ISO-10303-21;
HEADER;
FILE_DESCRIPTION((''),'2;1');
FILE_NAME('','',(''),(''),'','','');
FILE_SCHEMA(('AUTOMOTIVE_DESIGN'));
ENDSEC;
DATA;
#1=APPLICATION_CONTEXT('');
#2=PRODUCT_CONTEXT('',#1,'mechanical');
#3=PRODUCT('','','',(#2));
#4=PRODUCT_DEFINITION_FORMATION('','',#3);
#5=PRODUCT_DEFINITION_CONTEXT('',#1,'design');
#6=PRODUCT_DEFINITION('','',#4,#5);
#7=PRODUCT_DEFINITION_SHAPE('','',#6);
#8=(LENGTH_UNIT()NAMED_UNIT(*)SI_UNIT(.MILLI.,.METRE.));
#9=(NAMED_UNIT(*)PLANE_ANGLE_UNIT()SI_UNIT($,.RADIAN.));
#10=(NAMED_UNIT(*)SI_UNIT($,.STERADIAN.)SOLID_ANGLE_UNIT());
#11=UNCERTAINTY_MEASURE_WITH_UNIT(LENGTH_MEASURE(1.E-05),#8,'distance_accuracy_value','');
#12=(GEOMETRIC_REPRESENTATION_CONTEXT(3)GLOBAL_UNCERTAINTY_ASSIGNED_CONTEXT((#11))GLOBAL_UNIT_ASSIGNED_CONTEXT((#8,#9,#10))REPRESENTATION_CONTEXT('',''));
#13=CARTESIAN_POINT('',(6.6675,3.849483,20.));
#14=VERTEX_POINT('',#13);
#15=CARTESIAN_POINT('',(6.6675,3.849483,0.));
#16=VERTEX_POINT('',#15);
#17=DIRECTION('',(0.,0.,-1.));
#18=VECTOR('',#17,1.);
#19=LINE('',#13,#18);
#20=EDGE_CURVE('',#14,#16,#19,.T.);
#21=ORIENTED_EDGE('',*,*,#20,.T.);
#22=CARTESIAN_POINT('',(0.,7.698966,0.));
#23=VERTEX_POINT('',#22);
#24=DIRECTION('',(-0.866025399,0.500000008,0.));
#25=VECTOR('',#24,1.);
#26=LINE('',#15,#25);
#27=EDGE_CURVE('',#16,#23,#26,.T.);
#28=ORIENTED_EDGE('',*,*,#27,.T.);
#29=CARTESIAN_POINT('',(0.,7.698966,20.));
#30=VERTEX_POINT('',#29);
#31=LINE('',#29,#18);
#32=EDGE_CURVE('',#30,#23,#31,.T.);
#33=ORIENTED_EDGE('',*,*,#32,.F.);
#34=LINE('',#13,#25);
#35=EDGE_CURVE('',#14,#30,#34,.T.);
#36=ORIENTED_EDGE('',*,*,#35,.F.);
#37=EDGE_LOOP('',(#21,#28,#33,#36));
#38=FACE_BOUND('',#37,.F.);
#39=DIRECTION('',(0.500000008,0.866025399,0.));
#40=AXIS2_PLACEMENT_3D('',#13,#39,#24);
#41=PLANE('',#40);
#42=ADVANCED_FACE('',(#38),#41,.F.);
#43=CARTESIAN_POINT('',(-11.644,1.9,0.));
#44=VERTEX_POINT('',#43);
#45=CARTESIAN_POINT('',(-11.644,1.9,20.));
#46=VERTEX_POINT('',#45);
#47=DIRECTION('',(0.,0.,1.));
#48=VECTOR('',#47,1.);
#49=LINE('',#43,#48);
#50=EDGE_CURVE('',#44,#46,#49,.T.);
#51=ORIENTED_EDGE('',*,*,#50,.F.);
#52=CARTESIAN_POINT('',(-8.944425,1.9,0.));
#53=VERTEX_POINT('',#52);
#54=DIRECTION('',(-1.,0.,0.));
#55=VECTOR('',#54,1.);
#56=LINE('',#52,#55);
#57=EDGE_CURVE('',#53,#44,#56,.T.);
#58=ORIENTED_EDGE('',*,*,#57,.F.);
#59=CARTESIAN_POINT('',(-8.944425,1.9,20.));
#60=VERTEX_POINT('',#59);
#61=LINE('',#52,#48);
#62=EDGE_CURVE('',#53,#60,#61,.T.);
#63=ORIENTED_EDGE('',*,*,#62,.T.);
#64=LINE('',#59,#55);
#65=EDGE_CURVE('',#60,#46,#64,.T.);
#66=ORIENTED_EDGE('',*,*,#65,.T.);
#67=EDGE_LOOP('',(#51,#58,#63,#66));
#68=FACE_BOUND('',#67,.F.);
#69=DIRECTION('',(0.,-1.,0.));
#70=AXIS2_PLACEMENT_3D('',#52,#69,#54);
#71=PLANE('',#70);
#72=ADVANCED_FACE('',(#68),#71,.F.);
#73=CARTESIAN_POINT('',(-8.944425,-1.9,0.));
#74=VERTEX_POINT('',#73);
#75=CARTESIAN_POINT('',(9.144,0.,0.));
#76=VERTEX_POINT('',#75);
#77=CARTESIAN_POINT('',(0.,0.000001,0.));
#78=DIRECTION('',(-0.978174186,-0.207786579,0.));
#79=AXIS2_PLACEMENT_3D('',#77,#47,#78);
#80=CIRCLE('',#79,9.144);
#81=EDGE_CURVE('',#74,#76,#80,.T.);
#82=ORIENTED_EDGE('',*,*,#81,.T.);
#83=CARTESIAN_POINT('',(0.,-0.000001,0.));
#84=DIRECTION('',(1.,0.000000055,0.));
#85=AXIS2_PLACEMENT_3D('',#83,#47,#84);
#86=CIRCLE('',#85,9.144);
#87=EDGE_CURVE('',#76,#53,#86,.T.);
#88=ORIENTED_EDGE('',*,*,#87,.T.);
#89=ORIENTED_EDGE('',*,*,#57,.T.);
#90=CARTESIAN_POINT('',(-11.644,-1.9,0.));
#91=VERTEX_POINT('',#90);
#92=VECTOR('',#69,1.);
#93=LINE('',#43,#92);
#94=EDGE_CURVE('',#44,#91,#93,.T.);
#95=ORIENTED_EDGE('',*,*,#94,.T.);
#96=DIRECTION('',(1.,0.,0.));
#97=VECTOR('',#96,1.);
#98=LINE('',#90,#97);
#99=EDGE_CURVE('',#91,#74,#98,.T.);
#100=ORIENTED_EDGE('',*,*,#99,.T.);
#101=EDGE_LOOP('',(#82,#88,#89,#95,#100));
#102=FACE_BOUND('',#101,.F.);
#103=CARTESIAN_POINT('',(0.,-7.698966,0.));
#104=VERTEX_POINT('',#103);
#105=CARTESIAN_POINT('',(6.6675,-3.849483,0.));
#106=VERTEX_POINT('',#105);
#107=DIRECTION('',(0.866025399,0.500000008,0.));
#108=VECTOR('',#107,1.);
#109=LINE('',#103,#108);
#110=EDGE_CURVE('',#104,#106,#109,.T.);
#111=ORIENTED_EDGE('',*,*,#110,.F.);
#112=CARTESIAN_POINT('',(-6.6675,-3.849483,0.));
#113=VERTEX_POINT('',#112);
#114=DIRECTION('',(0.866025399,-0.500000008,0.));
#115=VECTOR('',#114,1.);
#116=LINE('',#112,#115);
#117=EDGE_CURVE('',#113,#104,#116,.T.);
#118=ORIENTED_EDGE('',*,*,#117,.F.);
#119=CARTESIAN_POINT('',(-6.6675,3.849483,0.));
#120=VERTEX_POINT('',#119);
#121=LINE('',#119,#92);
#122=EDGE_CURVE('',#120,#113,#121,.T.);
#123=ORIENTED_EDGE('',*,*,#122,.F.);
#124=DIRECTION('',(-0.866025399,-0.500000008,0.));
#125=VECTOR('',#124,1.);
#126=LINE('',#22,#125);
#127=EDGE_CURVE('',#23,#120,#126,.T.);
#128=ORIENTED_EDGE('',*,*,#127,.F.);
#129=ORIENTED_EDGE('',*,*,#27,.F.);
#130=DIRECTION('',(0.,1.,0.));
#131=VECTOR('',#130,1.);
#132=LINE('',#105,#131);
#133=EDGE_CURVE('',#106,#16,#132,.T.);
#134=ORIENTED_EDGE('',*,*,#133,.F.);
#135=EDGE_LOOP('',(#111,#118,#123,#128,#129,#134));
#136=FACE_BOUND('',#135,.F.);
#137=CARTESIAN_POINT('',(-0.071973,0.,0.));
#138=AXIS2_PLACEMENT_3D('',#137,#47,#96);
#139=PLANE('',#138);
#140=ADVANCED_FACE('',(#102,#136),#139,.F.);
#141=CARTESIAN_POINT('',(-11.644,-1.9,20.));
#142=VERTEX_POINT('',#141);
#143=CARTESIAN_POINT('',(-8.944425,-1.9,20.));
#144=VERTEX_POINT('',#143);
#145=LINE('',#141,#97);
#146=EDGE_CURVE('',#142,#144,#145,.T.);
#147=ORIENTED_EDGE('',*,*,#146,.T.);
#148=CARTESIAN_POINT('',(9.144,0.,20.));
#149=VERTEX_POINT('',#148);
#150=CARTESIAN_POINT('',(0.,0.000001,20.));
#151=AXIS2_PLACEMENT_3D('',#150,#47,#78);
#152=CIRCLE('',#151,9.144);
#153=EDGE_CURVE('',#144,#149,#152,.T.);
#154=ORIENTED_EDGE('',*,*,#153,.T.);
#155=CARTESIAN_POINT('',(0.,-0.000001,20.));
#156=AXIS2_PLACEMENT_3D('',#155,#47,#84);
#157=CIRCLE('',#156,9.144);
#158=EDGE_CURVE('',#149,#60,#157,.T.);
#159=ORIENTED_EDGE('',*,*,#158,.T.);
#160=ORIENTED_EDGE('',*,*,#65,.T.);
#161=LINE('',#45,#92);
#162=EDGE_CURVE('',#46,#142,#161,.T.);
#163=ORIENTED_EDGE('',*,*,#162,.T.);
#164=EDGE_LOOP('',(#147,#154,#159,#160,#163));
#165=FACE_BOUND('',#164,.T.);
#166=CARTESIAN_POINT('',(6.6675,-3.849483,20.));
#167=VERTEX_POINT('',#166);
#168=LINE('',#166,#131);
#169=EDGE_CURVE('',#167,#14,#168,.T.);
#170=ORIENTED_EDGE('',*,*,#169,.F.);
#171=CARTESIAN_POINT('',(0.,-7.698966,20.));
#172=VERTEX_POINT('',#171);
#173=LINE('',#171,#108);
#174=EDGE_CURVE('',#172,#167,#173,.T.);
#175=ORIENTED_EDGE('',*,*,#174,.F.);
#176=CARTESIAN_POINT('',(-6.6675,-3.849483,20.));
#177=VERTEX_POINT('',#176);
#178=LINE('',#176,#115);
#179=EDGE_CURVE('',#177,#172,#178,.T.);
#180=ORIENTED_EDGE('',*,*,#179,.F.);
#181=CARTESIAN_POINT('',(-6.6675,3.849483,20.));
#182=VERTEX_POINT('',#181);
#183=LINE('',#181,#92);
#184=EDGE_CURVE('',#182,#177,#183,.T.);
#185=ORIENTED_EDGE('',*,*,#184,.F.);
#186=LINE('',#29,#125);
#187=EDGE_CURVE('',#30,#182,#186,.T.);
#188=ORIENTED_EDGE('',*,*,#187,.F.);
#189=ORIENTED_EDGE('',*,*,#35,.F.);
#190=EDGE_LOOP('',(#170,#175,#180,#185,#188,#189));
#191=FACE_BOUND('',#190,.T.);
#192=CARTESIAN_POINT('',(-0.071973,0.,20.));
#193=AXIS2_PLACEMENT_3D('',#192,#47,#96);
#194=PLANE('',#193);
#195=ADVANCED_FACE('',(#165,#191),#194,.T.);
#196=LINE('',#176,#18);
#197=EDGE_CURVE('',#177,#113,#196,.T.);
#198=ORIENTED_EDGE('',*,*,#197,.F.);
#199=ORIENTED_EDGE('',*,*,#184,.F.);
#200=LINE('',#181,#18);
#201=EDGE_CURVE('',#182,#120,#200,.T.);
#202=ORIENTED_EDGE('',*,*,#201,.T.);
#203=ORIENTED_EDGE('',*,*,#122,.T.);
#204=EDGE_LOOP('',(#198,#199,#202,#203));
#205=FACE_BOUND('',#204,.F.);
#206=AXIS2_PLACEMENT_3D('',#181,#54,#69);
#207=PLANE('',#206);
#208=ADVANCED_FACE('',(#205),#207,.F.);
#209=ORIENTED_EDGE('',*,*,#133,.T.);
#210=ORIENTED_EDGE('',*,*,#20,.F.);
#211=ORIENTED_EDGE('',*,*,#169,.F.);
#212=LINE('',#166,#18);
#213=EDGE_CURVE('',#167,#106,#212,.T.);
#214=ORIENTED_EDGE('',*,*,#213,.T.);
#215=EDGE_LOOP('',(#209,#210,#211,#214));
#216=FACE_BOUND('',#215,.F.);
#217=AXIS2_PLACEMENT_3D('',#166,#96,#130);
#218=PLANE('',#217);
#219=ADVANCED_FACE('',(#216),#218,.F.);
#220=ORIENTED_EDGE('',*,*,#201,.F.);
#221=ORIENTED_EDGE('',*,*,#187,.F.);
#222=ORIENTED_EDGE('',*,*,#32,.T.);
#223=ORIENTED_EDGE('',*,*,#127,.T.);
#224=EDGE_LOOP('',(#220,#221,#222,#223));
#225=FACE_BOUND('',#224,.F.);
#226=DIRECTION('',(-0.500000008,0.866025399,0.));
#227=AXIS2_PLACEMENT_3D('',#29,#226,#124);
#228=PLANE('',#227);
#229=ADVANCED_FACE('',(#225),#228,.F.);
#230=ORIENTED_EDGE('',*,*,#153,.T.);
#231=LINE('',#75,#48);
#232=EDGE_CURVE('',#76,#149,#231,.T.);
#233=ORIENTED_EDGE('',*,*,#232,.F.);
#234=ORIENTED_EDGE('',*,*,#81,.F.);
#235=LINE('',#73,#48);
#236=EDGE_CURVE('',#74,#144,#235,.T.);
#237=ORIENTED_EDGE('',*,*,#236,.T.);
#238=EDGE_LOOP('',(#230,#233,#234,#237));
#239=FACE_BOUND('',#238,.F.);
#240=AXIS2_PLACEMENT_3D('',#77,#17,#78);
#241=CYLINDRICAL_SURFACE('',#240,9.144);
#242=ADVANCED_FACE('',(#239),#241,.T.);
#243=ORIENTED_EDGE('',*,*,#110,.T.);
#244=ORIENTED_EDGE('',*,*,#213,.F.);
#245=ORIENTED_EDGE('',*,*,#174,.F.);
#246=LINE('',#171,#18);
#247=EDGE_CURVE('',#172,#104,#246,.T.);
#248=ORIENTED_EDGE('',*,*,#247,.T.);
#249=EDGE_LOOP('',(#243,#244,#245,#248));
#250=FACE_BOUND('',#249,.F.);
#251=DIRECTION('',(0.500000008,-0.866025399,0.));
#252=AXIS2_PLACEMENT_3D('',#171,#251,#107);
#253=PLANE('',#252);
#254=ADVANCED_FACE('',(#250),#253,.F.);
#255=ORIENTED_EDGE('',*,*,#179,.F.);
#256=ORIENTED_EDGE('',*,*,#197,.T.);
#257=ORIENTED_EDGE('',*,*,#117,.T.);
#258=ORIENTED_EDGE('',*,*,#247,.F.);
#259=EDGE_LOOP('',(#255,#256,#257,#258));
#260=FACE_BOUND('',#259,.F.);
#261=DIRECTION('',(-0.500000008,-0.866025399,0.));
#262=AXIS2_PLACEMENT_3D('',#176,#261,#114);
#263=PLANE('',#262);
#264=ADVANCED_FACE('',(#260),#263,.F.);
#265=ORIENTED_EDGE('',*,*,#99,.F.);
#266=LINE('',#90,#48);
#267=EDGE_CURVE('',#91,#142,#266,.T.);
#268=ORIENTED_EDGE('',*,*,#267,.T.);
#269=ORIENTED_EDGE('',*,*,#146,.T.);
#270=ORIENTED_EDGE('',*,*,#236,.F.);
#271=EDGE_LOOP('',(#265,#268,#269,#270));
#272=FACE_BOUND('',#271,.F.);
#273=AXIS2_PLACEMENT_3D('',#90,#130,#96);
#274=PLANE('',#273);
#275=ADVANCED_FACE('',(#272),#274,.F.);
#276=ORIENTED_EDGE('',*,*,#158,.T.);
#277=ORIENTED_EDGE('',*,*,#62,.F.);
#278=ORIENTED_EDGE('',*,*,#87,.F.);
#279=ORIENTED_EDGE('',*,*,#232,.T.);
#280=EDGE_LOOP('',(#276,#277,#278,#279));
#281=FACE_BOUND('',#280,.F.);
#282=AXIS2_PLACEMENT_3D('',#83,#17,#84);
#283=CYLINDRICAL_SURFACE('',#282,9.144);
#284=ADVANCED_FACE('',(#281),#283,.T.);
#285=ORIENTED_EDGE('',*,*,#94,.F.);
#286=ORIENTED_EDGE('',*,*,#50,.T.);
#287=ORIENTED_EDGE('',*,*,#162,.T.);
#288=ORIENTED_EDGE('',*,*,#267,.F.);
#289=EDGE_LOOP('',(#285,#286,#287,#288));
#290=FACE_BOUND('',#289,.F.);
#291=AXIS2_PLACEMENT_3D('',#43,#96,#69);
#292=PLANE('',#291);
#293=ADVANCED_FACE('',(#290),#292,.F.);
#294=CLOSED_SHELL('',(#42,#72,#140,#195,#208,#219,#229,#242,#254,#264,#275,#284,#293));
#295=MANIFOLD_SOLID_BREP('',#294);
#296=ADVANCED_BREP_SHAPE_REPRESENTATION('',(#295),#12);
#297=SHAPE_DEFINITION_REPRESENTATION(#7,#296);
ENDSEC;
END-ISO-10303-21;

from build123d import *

# Parameters (mm, degrees)
F1_DEPTH = 20
F3_DEPTH = 20


with BuildPart() as f1:
    # F0 (on Top) → F1 (new body)
    with BuildSketch(Plane.XY):
        with BuildLine():
            ThreePointArc((-8.944425, -1.9), (0.955226, -9.093969), (9.144, 0))
            ThreePointArc((9.144, 0), (0.955226, 9.093969), (-8.944425, 1.9))
            ThreePointArc((-8.944425, 1.9), (-9.144, 0), (-8.944425, -1.9))
        make_face()
        with BuildLine():
            ThreePointArc((-8.944425, -1.9), (-9.144, 0), (-8.944425, 1.9))
            Line((-8.944425, 1.9), (-11.644, 1.9))
            Line((-11.644, 1.9), (-11.644, -1.9))
            Line((-11.644, -1.9), (-8.944425, -1.9))
        make_face()
    extrude(amount=F1_DEPTH)

    # F2 (on face) → F3 (cut, through all)
    with BuildSketch(Plane.XY.offset(20)):
        Polygon((6.6675, -3.849483), (6.6675, 3.849483), (0, 7.698966), (-6.6675, 3.849483), (-6.6675, -3.849483), (0, -7.698966), align=None)
    extrude(amount=-F3_DEPTH, mode=Mode.SUBTRACT)


solid = f1.part
